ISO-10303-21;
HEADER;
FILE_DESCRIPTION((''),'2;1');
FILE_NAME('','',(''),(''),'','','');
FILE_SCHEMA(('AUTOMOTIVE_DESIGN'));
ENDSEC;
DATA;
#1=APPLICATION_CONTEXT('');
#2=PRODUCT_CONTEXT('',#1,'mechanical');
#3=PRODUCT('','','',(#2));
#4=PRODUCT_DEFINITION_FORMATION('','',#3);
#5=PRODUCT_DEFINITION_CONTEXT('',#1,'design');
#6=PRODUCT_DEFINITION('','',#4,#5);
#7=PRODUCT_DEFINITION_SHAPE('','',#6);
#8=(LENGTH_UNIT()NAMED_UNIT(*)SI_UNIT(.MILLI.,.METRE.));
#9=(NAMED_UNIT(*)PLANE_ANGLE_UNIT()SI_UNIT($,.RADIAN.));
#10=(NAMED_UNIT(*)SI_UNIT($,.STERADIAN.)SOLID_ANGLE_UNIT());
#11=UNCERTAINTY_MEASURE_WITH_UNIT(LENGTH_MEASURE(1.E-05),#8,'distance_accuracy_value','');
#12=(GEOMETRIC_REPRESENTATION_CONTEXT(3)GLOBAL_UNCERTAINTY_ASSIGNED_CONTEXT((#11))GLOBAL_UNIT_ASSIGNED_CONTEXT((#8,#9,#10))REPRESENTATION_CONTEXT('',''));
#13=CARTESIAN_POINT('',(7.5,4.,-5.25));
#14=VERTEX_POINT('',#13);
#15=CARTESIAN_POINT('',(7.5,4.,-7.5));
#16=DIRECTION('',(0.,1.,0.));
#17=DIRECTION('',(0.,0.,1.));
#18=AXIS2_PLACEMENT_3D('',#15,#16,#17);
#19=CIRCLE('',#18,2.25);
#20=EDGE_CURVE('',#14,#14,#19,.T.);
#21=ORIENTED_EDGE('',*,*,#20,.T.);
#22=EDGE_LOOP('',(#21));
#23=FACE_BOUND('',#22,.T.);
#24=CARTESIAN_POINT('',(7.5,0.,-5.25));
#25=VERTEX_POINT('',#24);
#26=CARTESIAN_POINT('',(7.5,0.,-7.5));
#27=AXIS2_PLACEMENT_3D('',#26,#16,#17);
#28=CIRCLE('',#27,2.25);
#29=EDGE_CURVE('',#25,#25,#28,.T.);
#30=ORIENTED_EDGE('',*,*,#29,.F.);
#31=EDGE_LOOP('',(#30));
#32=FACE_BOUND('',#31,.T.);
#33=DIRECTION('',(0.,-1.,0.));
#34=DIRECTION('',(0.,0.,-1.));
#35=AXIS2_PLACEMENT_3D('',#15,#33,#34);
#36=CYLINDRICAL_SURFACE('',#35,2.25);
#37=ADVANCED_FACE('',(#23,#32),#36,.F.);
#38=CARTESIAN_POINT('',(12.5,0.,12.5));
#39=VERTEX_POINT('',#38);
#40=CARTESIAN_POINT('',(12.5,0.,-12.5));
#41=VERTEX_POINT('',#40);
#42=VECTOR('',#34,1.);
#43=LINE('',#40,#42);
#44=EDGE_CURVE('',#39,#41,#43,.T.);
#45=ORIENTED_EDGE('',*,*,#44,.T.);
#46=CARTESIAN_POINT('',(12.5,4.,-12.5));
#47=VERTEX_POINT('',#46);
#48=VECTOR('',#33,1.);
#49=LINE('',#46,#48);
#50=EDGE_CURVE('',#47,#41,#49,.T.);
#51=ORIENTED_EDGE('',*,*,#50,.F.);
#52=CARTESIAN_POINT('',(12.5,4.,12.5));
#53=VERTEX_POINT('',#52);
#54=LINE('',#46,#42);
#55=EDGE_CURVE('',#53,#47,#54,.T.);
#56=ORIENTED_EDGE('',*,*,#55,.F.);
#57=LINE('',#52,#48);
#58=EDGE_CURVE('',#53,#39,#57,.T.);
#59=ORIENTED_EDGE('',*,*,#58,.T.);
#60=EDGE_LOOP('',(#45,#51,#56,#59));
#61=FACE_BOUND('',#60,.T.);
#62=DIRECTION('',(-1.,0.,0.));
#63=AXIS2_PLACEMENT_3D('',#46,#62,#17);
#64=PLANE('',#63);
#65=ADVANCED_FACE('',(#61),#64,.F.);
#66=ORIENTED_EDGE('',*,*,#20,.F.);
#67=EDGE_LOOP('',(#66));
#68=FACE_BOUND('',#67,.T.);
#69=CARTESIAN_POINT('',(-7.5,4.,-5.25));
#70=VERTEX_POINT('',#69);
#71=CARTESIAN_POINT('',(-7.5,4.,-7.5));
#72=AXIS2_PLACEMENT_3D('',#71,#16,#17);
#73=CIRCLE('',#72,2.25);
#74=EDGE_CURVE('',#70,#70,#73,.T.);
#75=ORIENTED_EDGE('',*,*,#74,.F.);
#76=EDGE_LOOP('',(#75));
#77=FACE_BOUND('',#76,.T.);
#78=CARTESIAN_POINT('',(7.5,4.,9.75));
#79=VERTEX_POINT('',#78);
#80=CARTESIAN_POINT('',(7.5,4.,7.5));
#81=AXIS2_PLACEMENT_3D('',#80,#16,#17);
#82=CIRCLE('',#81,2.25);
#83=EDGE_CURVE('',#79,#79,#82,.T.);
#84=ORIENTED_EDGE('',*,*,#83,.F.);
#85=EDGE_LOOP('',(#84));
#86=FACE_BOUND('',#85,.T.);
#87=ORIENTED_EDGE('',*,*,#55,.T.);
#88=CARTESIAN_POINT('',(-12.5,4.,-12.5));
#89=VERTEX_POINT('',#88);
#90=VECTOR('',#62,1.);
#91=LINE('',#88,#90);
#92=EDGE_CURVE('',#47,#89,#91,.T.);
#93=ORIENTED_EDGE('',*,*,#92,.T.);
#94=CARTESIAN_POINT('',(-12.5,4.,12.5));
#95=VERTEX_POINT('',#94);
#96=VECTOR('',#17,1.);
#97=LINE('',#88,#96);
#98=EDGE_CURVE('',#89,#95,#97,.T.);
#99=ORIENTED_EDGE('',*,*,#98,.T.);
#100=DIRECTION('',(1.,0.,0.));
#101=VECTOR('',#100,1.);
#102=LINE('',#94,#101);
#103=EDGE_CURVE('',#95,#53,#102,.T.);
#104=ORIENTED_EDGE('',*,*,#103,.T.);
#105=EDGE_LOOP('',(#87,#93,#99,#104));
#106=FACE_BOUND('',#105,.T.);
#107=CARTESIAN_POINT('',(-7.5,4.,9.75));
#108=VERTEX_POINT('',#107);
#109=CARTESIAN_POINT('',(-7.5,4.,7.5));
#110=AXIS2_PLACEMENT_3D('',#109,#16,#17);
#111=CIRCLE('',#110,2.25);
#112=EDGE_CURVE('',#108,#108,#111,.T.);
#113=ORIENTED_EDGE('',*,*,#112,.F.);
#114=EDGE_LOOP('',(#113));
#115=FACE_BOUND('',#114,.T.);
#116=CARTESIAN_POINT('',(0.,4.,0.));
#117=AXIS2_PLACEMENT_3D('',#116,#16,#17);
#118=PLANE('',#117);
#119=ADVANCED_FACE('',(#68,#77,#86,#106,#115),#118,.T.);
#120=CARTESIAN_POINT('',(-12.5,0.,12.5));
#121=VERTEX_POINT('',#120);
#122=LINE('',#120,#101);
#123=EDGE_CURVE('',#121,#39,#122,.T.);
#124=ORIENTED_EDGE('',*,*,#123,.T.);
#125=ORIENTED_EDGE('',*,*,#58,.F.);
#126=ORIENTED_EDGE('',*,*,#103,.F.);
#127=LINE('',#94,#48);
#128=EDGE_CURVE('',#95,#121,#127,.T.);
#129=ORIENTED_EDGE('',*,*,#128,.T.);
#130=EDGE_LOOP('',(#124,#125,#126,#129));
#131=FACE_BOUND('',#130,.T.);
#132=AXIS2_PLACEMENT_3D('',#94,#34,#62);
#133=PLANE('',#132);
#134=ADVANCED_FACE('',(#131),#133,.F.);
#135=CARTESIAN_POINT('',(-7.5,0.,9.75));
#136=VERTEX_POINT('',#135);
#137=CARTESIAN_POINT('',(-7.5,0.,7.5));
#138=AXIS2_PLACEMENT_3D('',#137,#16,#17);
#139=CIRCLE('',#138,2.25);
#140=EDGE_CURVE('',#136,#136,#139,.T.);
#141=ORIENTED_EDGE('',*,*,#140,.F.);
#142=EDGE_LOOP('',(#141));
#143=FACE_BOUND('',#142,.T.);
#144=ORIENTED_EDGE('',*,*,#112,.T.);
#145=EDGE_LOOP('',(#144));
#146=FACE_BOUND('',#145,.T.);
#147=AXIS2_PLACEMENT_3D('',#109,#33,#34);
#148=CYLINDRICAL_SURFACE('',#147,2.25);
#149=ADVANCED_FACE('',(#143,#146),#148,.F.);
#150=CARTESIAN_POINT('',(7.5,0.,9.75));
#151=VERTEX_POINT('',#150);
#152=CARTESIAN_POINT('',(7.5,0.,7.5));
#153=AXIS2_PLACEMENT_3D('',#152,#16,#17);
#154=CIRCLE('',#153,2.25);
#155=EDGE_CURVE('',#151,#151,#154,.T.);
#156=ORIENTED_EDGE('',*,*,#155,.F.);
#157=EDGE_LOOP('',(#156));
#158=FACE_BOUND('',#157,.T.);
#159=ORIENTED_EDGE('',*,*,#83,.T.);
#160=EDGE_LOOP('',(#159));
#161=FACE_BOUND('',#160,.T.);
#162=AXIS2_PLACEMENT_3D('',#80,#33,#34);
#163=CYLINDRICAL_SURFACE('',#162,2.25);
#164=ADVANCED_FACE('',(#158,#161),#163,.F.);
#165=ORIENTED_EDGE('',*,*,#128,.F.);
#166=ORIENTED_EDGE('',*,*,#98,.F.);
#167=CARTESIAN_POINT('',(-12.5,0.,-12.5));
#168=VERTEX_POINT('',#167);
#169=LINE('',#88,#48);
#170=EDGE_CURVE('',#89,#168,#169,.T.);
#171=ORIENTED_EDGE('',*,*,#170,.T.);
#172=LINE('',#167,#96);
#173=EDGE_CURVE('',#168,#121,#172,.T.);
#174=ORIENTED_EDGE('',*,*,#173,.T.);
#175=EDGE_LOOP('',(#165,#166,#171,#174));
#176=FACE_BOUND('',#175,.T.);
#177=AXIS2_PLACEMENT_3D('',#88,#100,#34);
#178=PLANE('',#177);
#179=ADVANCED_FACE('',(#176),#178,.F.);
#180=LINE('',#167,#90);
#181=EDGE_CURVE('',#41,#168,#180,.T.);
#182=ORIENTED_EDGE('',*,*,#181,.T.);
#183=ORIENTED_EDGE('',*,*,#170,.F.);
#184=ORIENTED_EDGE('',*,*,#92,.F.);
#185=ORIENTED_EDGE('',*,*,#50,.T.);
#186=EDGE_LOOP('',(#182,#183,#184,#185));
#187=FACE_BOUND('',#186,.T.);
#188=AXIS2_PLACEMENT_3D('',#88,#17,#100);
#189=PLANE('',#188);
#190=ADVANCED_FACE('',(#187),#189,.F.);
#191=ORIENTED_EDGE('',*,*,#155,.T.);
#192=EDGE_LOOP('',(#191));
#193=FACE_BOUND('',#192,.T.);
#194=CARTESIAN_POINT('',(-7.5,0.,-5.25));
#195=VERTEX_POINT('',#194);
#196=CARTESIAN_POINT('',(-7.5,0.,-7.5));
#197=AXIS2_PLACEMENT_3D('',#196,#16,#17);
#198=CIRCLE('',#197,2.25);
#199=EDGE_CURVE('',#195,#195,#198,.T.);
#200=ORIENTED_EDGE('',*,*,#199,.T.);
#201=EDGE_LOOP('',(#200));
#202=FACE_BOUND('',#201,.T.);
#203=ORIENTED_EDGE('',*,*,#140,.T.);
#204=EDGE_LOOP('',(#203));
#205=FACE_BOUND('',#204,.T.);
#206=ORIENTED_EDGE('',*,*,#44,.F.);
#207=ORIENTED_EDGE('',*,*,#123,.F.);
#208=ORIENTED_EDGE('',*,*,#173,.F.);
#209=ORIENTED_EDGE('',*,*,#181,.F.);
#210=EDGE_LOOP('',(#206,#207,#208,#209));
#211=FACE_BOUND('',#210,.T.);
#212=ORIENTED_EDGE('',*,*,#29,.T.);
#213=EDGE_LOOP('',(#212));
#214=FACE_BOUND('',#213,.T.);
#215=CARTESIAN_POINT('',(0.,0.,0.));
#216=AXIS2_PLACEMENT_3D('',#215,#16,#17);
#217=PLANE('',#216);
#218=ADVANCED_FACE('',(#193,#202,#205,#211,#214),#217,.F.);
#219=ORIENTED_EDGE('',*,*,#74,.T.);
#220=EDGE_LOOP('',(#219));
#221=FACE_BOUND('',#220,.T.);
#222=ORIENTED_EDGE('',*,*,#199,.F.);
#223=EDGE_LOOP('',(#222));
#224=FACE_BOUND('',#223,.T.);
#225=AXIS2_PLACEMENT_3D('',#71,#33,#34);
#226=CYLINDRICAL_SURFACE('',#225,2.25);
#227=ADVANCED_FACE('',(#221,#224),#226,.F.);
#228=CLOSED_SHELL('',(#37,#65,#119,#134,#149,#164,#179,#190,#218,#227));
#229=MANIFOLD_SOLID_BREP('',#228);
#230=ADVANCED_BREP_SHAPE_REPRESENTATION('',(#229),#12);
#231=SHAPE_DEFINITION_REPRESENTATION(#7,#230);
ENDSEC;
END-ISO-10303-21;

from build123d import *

# Parameters (mm, degrees)
SKETCH_1_W      = 25
SKETCH_1_H      = 25
SKETCH_1_R      = 2.25
EXTRUDE_1_DEPTH = 4


with BuildPart() as part:
    # 草圖1 → 填料-伸長1 (new body)
    with BuildSketch(Plane(origin=(0, 0, 0), x_dir=(1, 0, 0), z_dir=(0, 1, 0))):
        Rectangle(SKETCH_1_W, SKETCH_1_H)
        with Locations((-7.5, 7.5)):
            Circle(SKETCH_1_R, mode=Mode.SUBTRACT)
        with Locations((7.5, -7.5)):
            Circle(SKETCH_1_R, mode=Mode.SUBTRACT)
        with Locations((-7.5, -7.5)):
            Circle(SKETCH_1_R, mode=Mode.SUBTRACT)
        with Locations((7.5, 7.5)):
            Circle(SKETCH_1_R, mode=Mode.SUBTRACT)
    extrude(amount=EXTRUDE_1_DEPTH)


solid = part.part
